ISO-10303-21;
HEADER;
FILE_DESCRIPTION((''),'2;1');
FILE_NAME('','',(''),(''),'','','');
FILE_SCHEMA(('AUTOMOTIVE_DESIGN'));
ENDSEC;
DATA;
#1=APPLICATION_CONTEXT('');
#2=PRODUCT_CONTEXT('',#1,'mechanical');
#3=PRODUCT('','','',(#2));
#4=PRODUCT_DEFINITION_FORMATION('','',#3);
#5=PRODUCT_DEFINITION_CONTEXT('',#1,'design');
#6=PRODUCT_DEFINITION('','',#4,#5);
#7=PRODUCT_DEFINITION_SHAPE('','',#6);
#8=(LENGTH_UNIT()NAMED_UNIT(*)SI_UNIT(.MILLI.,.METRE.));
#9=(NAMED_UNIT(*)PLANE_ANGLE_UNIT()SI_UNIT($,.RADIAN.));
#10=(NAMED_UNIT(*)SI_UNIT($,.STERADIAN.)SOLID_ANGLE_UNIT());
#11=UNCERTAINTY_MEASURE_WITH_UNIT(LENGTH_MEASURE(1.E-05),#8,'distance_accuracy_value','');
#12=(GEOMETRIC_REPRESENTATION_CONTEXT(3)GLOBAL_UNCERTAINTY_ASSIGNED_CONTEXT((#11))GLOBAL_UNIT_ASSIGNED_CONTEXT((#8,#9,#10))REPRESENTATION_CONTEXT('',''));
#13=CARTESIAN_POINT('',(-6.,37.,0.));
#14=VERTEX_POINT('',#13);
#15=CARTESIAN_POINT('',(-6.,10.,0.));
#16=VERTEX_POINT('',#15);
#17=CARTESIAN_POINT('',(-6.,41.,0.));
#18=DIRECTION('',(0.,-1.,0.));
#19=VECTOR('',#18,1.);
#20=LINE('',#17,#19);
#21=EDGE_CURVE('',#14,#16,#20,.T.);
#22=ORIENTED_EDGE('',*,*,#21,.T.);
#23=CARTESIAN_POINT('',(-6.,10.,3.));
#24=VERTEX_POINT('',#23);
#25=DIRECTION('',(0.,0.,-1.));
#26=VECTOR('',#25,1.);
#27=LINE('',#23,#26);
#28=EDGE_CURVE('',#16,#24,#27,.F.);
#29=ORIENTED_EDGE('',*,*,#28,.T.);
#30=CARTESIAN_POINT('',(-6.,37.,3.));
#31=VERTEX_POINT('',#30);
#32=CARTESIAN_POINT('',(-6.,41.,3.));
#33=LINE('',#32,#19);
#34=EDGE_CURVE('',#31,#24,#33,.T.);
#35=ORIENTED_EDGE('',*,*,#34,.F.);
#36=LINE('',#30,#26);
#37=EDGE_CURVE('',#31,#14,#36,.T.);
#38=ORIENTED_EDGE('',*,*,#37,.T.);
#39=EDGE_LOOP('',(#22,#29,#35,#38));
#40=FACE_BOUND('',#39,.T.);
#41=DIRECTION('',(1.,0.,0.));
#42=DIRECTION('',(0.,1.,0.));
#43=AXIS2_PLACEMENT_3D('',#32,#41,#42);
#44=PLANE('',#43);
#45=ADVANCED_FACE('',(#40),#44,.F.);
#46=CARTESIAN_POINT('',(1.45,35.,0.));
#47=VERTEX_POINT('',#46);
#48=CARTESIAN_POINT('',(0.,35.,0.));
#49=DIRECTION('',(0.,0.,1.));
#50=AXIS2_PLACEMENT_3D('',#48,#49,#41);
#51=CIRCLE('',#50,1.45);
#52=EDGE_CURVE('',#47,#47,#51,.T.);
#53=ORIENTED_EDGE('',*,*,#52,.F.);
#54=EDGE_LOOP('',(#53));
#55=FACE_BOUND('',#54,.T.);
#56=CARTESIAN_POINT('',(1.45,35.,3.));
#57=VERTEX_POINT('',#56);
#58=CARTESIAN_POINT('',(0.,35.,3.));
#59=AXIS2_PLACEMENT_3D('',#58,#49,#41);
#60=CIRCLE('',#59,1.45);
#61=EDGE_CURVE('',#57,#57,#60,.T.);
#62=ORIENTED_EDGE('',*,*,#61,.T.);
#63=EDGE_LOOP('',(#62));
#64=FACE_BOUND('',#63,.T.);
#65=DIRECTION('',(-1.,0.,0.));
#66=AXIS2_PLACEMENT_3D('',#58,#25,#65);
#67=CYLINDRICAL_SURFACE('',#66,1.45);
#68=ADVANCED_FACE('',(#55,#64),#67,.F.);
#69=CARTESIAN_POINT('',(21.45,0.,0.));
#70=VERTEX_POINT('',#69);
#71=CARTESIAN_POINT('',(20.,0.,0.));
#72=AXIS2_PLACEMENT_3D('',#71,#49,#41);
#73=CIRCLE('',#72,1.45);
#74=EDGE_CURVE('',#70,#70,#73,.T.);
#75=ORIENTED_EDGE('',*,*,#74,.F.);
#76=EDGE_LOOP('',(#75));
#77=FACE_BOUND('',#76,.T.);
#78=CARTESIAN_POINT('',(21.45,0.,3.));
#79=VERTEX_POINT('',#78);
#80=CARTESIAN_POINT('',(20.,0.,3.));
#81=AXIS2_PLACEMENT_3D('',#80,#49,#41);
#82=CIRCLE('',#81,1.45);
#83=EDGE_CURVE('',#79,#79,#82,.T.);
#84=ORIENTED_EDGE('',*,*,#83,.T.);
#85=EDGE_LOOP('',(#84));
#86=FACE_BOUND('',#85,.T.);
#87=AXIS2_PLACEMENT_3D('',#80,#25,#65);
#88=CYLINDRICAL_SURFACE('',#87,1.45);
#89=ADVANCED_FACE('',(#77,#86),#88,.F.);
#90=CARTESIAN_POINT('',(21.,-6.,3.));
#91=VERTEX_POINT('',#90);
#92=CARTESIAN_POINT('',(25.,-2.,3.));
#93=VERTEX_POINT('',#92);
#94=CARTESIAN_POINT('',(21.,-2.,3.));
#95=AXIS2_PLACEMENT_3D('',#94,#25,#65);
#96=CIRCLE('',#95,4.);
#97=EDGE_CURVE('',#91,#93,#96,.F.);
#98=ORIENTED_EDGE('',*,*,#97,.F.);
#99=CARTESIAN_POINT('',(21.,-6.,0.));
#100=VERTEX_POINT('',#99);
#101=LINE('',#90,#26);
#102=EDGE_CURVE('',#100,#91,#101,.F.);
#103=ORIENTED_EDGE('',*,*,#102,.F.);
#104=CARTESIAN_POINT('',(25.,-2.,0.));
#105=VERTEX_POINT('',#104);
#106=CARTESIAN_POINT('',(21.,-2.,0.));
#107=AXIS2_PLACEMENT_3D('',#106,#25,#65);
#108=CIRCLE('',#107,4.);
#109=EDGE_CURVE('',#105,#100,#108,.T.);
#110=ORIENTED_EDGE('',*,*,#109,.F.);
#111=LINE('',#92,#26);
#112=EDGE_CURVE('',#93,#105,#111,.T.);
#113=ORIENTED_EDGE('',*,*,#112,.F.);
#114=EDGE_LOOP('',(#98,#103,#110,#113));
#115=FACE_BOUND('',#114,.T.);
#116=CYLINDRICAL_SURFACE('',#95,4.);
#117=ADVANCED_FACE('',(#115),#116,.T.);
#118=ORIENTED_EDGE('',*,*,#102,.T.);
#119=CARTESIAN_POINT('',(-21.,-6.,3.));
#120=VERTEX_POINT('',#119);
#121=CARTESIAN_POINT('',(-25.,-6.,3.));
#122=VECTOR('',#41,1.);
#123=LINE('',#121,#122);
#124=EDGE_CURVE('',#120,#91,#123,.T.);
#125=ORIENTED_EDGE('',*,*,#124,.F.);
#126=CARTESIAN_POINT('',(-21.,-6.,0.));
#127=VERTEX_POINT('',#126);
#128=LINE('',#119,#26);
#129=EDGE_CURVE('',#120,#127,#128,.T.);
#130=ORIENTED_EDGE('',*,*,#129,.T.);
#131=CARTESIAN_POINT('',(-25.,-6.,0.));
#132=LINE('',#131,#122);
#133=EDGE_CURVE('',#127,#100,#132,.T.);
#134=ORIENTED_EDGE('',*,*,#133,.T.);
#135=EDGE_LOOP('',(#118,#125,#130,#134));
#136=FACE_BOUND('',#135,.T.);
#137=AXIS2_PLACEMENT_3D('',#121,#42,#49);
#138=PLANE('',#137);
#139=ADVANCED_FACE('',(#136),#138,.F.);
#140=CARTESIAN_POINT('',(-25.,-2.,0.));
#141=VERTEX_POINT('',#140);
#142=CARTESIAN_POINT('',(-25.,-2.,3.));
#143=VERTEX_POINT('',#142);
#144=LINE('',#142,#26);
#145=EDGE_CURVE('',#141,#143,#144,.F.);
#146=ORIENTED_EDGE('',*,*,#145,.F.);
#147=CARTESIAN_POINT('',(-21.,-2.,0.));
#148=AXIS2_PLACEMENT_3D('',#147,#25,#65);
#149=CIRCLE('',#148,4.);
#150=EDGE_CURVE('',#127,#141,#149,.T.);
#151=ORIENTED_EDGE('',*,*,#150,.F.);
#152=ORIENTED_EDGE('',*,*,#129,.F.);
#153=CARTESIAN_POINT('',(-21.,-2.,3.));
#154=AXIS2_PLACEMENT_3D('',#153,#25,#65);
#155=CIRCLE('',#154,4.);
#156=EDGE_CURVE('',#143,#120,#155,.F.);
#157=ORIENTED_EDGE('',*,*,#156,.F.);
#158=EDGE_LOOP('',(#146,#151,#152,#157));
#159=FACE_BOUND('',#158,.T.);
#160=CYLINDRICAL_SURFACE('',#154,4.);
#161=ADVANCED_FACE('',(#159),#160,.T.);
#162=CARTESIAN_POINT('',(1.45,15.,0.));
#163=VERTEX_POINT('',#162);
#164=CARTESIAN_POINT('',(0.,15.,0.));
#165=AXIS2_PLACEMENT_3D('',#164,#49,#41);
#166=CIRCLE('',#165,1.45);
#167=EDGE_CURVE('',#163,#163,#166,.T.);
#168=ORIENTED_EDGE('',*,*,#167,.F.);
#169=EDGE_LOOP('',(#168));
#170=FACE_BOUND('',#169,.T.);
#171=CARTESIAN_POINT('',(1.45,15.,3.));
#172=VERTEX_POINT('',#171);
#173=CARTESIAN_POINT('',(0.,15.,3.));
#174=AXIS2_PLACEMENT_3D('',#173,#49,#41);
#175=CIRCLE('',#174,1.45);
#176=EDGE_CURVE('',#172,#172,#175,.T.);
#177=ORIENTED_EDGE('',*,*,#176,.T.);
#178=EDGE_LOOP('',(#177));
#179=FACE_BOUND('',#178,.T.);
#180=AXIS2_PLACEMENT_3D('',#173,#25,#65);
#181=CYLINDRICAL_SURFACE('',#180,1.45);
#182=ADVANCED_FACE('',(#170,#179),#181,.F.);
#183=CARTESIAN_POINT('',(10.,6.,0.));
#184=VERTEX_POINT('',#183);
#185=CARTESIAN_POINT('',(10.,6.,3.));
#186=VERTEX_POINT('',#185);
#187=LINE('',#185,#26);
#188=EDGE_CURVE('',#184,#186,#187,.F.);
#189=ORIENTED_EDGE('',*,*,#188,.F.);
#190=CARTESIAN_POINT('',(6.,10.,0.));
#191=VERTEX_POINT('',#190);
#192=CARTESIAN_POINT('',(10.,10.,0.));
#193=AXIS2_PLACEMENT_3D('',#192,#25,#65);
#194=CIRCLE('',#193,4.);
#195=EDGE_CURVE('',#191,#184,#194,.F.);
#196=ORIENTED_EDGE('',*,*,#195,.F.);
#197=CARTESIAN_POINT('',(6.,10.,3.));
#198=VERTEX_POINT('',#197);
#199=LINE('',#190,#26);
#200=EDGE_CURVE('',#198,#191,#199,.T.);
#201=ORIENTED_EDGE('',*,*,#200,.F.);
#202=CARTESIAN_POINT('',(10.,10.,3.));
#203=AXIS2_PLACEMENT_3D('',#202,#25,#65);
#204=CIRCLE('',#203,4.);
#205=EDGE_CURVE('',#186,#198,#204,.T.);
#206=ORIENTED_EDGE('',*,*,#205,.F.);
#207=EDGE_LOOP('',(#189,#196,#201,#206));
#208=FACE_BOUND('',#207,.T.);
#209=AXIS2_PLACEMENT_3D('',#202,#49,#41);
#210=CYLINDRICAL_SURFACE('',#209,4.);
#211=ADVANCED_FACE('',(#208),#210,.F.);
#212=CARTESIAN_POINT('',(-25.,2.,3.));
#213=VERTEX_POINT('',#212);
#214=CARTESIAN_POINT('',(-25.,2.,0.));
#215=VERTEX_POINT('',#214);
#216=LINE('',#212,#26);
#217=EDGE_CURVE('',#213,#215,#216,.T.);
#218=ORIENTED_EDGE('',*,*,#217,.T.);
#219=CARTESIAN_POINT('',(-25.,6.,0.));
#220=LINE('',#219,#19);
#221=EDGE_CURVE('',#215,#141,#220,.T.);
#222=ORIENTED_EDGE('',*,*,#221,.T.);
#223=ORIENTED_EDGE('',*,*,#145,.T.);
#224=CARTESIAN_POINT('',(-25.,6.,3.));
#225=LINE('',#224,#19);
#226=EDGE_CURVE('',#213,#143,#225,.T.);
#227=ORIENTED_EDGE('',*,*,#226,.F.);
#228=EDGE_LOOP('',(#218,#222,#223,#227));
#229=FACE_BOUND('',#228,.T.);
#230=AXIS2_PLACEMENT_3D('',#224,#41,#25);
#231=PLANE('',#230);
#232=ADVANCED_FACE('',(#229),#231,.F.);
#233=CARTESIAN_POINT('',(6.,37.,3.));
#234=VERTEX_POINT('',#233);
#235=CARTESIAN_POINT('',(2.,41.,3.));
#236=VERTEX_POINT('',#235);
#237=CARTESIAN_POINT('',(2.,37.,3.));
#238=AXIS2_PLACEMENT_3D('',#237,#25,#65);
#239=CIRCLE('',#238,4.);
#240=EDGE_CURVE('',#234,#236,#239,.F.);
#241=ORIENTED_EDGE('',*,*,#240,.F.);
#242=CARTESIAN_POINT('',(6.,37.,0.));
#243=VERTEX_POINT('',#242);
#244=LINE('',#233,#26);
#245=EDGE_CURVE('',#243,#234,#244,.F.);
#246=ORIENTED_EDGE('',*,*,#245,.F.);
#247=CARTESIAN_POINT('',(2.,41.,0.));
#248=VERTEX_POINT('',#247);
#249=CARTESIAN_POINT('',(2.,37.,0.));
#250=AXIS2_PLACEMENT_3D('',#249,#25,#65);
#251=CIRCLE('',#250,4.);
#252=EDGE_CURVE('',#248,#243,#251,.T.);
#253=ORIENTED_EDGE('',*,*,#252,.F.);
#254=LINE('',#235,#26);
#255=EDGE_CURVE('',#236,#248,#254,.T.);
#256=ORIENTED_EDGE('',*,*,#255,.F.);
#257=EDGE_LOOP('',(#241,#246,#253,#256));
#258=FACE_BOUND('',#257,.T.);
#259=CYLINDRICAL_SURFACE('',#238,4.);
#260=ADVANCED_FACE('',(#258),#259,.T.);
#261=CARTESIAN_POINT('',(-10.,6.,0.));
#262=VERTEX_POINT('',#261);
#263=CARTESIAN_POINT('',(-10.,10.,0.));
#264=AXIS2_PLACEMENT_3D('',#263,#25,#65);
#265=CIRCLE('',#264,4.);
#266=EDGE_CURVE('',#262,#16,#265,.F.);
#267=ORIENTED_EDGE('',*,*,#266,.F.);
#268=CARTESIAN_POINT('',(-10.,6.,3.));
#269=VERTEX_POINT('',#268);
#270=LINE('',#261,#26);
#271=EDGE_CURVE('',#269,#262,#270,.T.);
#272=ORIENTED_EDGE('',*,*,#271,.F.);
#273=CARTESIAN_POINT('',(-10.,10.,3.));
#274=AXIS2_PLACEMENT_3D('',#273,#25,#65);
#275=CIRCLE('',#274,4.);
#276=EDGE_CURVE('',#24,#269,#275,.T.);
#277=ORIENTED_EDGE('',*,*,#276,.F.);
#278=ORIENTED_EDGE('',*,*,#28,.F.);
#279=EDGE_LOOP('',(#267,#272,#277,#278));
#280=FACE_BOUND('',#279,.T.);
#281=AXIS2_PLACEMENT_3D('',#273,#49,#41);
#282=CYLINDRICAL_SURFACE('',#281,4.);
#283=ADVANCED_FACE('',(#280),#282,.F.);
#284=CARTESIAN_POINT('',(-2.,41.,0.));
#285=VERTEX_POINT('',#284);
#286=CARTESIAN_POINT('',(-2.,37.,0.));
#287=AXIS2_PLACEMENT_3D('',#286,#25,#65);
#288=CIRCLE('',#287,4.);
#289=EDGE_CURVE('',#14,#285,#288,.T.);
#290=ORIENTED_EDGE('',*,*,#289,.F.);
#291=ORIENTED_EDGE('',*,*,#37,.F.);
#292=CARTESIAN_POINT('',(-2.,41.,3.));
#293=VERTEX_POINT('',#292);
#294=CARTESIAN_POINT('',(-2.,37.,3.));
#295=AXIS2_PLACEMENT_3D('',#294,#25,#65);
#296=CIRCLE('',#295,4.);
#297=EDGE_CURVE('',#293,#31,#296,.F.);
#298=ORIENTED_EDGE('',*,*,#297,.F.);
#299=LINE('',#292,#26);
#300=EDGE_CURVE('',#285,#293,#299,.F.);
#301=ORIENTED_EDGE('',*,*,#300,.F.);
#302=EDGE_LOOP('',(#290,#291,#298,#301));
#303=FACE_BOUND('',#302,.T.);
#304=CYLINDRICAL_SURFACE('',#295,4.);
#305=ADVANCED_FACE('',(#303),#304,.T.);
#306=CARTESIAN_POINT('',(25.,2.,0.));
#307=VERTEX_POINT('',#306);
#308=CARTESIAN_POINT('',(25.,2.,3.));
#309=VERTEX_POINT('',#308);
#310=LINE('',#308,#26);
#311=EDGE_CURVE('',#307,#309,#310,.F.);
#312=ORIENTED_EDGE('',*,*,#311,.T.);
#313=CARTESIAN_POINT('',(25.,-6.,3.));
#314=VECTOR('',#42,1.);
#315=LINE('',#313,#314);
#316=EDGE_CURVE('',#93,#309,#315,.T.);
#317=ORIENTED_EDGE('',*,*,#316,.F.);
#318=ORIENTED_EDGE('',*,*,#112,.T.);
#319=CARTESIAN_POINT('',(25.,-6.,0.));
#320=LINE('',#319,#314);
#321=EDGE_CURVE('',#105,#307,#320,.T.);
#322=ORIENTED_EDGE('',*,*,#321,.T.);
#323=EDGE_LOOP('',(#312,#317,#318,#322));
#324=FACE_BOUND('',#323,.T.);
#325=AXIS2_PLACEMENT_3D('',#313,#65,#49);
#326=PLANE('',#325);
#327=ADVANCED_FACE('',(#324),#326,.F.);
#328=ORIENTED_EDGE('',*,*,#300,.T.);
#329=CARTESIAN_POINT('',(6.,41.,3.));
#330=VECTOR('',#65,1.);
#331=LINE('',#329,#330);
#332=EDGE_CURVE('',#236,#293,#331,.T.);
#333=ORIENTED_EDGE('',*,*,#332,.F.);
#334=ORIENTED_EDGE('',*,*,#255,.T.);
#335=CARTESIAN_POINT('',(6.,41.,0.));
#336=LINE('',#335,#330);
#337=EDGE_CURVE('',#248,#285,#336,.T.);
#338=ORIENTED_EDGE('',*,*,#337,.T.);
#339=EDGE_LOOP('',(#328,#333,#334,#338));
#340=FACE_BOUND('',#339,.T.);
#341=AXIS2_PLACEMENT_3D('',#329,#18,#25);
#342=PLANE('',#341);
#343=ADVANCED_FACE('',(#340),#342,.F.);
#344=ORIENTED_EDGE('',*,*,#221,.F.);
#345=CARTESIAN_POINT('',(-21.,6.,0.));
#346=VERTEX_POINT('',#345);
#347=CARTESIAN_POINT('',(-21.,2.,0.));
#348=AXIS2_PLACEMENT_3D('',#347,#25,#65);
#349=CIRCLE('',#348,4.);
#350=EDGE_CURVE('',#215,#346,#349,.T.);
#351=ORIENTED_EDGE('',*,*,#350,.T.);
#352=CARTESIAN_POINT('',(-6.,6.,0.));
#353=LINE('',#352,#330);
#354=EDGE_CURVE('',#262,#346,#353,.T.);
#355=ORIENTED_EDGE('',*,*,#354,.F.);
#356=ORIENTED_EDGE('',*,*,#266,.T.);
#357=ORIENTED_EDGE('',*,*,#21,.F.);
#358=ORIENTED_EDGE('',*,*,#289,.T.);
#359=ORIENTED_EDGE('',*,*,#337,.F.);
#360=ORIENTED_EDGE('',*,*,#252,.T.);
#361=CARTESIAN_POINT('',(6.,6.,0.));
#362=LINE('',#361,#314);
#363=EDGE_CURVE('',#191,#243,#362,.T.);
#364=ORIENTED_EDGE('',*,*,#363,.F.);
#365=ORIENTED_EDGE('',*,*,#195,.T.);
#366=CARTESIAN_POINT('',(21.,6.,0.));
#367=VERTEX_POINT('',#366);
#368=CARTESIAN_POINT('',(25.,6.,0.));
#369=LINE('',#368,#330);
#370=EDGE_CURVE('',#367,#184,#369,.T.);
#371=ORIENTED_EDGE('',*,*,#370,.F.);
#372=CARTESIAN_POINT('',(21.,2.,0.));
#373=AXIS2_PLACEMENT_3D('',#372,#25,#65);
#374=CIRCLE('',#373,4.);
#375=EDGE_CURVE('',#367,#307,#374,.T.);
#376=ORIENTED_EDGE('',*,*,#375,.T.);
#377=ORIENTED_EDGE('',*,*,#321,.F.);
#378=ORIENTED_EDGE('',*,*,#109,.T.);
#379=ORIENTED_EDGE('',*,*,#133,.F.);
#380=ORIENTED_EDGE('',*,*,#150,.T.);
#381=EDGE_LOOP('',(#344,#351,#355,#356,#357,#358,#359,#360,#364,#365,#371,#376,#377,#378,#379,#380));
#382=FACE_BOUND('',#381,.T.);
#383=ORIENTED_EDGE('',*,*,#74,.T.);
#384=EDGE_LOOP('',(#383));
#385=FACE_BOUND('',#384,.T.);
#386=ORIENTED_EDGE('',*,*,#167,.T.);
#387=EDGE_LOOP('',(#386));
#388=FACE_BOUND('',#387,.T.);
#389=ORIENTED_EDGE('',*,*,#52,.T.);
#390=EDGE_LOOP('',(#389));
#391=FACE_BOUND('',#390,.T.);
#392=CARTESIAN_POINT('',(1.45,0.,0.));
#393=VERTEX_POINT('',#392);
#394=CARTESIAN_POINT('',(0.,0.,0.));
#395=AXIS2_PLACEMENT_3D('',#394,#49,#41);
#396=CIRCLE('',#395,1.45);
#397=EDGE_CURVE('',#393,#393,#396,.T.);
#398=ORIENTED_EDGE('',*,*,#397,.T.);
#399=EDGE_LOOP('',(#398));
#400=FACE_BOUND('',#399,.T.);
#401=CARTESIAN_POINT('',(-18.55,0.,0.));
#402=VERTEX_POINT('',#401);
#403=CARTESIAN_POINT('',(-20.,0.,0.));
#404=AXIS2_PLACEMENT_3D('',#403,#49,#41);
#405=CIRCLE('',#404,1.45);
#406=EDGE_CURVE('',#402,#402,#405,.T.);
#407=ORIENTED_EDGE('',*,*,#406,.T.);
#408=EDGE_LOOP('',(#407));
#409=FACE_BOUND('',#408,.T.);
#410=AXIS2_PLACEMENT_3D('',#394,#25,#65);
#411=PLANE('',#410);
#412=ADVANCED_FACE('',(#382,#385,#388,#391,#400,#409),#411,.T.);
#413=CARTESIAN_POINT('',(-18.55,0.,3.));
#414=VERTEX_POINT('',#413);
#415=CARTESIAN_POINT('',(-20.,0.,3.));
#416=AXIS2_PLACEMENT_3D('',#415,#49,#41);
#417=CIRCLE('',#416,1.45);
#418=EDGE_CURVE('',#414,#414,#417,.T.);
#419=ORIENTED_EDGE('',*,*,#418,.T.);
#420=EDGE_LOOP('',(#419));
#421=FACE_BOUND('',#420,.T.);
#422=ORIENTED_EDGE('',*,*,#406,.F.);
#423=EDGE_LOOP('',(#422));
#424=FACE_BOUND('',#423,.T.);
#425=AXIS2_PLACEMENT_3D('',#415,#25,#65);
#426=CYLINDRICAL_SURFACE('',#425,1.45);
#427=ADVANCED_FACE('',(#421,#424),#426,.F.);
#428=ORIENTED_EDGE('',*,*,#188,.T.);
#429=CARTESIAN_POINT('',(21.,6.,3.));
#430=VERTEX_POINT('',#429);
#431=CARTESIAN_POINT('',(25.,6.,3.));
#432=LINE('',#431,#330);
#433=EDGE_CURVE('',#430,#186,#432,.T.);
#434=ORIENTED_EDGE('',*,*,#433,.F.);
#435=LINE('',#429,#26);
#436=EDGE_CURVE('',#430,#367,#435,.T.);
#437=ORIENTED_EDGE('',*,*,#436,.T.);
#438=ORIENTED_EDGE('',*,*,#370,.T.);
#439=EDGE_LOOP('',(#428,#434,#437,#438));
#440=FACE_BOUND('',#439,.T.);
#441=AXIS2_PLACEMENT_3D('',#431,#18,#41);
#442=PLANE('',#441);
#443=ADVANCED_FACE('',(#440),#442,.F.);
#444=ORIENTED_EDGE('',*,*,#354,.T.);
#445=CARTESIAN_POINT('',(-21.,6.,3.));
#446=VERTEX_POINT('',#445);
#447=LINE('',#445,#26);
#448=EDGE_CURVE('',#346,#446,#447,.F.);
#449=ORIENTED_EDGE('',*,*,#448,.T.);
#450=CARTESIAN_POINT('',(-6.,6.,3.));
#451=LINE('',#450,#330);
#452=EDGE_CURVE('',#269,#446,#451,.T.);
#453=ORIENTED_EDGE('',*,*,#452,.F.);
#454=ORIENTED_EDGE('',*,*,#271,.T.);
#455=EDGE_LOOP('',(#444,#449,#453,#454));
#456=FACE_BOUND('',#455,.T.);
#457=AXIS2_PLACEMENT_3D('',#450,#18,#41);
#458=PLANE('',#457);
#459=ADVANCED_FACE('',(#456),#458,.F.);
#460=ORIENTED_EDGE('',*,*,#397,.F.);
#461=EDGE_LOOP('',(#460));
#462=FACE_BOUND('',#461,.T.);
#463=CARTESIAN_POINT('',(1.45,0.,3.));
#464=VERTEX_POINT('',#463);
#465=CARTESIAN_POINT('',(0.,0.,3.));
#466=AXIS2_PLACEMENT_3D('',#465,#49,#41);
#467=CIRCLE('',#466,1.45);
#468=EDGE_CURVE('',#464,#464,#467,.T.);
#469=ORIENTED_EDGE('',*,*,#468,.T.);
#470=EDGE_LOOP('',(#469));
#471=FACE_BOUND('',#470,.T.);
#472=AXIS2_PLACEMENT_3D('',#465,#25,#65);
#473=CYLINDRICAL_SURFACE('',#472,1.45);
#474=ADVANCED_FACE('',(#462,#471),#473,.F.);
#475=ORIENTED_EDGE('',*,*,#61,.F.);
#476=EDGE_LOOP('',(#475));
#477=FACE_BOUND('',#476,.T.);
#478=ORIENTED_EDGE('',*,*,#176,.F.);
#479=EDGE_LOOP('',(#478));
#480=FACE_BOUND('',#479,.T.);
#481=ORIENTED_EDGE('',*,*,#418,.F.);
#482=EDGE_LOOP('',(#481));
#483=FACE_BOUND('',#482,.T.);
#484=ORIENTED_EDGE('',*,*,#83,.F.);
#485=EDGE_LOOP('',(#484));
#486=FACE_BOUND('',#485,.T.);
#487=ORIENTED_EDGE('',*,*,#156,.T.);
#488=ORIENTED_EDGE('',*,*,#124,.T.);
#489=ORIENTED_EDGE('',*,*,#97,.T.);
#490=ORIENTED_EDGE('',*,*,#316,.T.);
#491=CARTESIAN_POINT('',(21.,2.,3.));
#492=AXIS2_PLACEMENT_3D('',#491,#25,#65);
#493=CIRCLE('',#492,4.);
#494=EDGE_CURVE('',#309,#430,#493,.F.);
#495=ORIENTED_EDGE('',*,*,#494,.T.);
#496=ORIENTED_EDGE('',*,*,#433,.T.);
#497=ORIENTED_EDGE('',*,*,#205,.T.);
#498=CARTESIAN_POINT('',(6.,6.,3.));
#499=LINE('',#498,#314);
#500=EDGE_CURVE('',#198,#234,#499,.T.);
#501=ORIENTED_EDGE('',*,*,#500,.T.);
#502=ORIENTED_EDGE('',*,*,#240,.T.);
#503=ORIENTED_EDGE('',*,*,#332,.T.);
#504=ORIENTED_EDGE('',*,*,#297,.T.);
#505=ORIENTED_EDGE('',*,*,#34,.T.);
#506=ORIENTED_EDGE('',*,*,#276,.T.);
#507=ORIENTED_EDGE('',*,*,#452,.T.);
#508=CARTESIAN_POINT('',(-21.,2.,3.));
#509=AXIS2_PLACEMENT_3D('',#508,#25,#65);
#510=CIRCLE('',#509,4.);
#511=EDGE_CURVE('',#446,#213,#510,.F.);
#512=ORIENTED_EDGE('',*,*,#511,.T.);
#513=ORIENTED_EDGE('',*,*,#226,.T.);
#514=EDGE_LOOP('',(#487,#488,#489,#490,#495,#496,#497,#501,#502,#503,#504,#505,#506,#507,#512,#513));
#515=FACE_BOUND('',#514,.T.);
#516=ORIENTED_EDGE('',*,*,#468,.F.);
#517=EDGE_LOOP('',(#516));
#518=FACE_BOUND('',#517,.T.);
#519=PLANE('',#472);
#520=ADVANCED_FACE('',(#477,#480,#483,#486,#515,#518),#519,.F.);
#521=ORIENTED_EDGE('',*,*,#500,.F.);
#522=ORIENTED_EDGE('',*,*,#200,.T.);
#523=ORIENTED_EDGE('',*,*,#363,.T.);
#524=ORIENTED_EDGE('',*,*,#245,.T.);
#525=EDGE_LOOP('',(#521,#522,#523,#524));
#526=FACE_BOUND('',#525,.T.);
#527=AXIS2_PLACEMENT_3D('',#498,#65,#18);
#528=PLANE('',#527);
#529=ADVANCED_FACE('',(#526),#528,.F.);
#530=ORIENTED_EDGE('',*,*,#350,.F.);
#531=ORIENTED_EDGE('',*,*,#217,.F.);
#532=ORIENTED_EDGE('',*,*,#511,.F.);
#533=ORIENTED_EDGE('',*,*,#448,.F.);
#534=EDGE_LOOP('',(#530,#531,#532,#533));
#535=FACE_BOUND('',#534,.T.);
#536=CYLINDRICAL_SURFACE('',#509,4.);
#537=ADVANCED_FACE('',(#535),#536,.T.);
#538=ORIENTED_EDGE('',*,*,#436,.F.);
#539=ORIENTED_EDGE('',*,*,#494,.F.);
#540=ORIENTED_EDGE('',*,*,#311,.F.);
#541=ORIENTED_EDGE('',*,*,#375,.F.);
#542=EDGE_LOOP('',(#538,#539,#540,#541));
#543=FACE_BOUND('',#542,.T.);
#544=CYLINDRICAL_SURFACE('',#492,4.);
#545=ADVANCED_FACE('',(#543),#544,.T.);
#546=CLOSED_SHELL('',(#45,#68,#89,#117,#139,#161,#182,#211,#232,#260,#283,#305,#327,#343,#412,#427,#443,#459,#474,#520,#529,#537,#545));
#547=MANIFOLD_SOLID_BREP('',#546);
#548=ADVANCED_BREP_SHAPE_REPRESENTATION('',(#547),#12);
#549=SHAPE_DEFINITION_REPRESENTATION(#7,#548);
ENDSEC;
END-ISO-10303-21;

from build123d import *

# Parameters (mm, degrees)
SKETCH_1_R      = 1.45
EXTRUDE_1_DEPTH = 3
FILLET_1_R      = 4


with BuildPart() as part:
    # 草图1 → 凸台-拉伸1 (new body)
    with BuildSketch(Plane.XY):
        Polygon((-6, 6), (-25, 6), (-25, -6), (25, -6), (25, 6), (6, 6), (6, 41), (-6, 41), align=None)
        with Locations((0, 35)):
            Circle(SKETCH_1_R, mode=Mode.SUBTRACT)
        Circle(SKETCH_1_R, mode=Mode.SUBTRACT)
        with Locations((-20, 0)):
            Circle(SKETCH_1_R, mode=Mode.SUBTRACT)
        with Locations((20, 0)):
            Circle(SKETCH_1_R, mode=Mode.SUBTRACT)
        with Locations((0, 15)):
            Circle(SKETCH_1_R, mode=Mode.SUBTRACT)
    extrude(amount=EXTRUDE_1_DEPTH)

    # 圆角1
    fillet_1_edges = [part.edges().sort_by_distance(p)[0] for p in [
        (-6, 41, 1.5),
        (6, 41, 1.5),
        (6, 6, 1.5),
        (25, 6, 1.5),
        (25, -6, 1.5),
        (-25, -6, 1.5),
        (-25, 6, 1.5),
        (-6, 6, 1.5),
    ]]
    fillet(fillet_1_edges, radius=FILLET_1_R)


solid = part.part
